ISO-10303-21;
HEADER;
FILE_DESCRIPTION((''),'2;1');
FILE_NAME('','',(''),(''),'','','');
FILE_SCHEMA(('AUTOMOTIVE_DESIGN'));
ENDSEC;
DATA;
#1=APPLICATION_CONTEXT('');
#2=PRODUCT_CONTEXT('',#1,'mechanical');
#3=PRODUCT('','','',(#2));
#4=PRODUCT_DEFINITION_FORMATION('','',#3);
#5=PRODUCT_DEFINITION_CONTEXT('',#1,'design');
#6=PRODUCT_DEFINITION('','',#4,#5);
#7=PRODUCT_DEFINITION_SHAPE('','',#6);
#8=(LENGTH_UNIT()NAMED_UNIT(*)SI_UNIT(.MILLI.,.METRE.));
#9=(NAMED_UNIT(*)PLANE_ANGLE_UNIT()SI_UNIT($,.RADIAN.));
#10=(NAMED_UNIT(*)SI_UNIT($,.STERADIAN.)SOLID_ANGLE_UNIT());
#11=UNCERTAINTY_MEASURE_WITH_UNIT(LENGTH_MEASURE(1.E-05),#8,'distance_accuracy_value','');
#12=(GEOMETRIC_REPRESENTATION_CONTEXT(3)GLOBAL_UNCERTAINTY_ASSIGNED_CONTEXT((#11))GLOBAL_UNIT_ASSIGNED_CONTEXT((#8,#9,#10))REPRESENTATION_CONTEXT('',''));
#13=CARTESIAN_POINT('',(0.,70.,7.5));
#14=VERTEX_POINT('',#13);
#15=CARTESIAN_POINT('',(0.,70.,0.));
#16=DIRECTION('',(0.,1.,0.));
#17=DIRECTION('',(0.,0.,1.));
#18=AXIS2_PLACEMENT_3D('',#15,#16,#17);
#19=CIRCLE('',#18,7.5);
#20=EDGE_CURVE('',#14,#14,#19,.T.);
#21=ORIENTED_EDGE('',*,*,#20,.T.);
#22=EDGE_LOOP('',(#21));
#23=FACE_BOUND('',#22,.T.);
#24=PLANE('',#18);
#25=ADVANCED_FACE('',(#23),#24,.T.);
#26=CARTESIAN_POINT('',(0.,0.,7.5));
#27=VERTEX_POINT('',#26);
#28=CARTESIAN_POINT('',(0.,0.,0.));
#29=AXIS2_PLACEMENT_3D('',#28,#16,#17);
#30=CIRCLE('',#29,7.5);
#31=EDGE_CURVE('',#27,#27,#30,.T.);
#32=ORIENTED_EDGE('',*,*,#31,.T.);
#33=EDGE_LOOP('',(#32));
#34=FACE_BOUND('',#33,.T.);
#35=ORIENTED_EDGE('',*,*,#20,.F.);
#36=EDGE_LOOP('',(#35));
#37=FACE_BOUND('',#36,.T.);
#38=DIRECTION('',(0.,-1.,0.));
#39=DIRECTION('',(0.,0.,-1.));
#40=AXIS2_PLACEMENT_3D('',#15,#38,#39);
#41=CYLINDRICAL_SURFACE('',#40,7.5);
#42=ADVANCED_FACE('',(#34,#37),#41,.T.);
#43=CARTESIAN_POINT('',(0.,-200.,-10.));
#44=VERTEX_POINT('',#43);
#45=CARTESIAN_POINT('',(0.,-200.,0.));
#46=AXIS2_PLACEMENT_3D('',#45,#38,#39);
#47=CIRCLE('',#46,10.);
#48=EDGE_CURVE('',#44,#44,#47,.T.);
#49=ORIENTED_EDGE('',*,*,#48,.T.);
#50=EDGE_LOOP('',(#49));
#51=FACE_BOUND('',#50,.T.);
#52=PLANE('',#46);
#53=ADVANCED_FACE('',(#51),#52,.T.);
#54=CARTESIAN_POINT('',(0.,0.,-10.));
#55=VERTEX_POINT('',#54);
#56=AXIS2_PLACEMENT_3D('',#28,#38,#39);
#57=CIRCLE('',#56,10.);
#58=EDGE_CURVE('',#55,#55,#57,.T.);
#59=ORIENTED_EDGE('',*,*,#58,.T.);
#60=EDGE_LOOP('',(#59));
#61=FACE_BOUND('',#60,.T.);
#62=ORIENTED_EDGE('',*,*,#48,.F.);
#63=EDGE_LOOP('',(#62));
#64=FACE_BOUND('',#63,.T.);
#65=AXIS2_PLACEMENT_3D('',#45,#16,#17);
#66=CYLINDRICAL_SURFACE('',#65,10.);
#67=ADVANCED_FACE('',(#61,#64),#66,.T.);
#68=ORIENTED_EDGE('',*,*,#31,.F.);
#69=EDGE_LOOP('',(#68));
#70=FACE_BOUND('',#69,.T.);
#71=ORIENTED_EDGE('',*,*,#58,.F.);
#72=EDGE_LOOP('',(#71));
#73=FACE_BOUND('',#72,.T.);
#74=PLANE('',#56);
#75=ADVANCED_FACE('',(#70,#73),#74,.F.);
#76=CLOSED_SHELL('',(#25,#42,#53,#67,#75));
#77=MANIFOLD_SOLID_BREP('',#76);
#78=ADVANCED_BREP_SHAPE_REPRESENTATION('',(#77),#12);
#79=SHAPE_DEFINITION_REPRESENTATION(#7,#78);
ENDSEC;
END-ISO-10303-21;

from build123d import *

# Parameters (mm, degrees)
CROQUIS1_R              = 7.5
SALIENTE_EXTRUIR1_DEPTH = 70
CROQUIS2_R              = 10
SALIENTE_EXTRUIR2_DEPTH = 200


with BuildPart() as part:
    # Croquis1 → Saliente-Extruir1 (new body)
    with BuildSketch(Plane(origin=(0, 0, 0), x_dir=(1, 0, 0), z_dir=(0, 1, 0))):
        Circle(CROQUIS1_R)
    extrude(amount=SALIENTE_EXTRUIR1_DEPTH)

    # Croquis2 → Saliente-Extruir2 (add)
    with BuildSketch(Plane.XZ):
        Circle(CROQUIS2_R)
    extrude(amount=SALIENTE_EXTRUIR2_DEPTH)


solid = part.part
